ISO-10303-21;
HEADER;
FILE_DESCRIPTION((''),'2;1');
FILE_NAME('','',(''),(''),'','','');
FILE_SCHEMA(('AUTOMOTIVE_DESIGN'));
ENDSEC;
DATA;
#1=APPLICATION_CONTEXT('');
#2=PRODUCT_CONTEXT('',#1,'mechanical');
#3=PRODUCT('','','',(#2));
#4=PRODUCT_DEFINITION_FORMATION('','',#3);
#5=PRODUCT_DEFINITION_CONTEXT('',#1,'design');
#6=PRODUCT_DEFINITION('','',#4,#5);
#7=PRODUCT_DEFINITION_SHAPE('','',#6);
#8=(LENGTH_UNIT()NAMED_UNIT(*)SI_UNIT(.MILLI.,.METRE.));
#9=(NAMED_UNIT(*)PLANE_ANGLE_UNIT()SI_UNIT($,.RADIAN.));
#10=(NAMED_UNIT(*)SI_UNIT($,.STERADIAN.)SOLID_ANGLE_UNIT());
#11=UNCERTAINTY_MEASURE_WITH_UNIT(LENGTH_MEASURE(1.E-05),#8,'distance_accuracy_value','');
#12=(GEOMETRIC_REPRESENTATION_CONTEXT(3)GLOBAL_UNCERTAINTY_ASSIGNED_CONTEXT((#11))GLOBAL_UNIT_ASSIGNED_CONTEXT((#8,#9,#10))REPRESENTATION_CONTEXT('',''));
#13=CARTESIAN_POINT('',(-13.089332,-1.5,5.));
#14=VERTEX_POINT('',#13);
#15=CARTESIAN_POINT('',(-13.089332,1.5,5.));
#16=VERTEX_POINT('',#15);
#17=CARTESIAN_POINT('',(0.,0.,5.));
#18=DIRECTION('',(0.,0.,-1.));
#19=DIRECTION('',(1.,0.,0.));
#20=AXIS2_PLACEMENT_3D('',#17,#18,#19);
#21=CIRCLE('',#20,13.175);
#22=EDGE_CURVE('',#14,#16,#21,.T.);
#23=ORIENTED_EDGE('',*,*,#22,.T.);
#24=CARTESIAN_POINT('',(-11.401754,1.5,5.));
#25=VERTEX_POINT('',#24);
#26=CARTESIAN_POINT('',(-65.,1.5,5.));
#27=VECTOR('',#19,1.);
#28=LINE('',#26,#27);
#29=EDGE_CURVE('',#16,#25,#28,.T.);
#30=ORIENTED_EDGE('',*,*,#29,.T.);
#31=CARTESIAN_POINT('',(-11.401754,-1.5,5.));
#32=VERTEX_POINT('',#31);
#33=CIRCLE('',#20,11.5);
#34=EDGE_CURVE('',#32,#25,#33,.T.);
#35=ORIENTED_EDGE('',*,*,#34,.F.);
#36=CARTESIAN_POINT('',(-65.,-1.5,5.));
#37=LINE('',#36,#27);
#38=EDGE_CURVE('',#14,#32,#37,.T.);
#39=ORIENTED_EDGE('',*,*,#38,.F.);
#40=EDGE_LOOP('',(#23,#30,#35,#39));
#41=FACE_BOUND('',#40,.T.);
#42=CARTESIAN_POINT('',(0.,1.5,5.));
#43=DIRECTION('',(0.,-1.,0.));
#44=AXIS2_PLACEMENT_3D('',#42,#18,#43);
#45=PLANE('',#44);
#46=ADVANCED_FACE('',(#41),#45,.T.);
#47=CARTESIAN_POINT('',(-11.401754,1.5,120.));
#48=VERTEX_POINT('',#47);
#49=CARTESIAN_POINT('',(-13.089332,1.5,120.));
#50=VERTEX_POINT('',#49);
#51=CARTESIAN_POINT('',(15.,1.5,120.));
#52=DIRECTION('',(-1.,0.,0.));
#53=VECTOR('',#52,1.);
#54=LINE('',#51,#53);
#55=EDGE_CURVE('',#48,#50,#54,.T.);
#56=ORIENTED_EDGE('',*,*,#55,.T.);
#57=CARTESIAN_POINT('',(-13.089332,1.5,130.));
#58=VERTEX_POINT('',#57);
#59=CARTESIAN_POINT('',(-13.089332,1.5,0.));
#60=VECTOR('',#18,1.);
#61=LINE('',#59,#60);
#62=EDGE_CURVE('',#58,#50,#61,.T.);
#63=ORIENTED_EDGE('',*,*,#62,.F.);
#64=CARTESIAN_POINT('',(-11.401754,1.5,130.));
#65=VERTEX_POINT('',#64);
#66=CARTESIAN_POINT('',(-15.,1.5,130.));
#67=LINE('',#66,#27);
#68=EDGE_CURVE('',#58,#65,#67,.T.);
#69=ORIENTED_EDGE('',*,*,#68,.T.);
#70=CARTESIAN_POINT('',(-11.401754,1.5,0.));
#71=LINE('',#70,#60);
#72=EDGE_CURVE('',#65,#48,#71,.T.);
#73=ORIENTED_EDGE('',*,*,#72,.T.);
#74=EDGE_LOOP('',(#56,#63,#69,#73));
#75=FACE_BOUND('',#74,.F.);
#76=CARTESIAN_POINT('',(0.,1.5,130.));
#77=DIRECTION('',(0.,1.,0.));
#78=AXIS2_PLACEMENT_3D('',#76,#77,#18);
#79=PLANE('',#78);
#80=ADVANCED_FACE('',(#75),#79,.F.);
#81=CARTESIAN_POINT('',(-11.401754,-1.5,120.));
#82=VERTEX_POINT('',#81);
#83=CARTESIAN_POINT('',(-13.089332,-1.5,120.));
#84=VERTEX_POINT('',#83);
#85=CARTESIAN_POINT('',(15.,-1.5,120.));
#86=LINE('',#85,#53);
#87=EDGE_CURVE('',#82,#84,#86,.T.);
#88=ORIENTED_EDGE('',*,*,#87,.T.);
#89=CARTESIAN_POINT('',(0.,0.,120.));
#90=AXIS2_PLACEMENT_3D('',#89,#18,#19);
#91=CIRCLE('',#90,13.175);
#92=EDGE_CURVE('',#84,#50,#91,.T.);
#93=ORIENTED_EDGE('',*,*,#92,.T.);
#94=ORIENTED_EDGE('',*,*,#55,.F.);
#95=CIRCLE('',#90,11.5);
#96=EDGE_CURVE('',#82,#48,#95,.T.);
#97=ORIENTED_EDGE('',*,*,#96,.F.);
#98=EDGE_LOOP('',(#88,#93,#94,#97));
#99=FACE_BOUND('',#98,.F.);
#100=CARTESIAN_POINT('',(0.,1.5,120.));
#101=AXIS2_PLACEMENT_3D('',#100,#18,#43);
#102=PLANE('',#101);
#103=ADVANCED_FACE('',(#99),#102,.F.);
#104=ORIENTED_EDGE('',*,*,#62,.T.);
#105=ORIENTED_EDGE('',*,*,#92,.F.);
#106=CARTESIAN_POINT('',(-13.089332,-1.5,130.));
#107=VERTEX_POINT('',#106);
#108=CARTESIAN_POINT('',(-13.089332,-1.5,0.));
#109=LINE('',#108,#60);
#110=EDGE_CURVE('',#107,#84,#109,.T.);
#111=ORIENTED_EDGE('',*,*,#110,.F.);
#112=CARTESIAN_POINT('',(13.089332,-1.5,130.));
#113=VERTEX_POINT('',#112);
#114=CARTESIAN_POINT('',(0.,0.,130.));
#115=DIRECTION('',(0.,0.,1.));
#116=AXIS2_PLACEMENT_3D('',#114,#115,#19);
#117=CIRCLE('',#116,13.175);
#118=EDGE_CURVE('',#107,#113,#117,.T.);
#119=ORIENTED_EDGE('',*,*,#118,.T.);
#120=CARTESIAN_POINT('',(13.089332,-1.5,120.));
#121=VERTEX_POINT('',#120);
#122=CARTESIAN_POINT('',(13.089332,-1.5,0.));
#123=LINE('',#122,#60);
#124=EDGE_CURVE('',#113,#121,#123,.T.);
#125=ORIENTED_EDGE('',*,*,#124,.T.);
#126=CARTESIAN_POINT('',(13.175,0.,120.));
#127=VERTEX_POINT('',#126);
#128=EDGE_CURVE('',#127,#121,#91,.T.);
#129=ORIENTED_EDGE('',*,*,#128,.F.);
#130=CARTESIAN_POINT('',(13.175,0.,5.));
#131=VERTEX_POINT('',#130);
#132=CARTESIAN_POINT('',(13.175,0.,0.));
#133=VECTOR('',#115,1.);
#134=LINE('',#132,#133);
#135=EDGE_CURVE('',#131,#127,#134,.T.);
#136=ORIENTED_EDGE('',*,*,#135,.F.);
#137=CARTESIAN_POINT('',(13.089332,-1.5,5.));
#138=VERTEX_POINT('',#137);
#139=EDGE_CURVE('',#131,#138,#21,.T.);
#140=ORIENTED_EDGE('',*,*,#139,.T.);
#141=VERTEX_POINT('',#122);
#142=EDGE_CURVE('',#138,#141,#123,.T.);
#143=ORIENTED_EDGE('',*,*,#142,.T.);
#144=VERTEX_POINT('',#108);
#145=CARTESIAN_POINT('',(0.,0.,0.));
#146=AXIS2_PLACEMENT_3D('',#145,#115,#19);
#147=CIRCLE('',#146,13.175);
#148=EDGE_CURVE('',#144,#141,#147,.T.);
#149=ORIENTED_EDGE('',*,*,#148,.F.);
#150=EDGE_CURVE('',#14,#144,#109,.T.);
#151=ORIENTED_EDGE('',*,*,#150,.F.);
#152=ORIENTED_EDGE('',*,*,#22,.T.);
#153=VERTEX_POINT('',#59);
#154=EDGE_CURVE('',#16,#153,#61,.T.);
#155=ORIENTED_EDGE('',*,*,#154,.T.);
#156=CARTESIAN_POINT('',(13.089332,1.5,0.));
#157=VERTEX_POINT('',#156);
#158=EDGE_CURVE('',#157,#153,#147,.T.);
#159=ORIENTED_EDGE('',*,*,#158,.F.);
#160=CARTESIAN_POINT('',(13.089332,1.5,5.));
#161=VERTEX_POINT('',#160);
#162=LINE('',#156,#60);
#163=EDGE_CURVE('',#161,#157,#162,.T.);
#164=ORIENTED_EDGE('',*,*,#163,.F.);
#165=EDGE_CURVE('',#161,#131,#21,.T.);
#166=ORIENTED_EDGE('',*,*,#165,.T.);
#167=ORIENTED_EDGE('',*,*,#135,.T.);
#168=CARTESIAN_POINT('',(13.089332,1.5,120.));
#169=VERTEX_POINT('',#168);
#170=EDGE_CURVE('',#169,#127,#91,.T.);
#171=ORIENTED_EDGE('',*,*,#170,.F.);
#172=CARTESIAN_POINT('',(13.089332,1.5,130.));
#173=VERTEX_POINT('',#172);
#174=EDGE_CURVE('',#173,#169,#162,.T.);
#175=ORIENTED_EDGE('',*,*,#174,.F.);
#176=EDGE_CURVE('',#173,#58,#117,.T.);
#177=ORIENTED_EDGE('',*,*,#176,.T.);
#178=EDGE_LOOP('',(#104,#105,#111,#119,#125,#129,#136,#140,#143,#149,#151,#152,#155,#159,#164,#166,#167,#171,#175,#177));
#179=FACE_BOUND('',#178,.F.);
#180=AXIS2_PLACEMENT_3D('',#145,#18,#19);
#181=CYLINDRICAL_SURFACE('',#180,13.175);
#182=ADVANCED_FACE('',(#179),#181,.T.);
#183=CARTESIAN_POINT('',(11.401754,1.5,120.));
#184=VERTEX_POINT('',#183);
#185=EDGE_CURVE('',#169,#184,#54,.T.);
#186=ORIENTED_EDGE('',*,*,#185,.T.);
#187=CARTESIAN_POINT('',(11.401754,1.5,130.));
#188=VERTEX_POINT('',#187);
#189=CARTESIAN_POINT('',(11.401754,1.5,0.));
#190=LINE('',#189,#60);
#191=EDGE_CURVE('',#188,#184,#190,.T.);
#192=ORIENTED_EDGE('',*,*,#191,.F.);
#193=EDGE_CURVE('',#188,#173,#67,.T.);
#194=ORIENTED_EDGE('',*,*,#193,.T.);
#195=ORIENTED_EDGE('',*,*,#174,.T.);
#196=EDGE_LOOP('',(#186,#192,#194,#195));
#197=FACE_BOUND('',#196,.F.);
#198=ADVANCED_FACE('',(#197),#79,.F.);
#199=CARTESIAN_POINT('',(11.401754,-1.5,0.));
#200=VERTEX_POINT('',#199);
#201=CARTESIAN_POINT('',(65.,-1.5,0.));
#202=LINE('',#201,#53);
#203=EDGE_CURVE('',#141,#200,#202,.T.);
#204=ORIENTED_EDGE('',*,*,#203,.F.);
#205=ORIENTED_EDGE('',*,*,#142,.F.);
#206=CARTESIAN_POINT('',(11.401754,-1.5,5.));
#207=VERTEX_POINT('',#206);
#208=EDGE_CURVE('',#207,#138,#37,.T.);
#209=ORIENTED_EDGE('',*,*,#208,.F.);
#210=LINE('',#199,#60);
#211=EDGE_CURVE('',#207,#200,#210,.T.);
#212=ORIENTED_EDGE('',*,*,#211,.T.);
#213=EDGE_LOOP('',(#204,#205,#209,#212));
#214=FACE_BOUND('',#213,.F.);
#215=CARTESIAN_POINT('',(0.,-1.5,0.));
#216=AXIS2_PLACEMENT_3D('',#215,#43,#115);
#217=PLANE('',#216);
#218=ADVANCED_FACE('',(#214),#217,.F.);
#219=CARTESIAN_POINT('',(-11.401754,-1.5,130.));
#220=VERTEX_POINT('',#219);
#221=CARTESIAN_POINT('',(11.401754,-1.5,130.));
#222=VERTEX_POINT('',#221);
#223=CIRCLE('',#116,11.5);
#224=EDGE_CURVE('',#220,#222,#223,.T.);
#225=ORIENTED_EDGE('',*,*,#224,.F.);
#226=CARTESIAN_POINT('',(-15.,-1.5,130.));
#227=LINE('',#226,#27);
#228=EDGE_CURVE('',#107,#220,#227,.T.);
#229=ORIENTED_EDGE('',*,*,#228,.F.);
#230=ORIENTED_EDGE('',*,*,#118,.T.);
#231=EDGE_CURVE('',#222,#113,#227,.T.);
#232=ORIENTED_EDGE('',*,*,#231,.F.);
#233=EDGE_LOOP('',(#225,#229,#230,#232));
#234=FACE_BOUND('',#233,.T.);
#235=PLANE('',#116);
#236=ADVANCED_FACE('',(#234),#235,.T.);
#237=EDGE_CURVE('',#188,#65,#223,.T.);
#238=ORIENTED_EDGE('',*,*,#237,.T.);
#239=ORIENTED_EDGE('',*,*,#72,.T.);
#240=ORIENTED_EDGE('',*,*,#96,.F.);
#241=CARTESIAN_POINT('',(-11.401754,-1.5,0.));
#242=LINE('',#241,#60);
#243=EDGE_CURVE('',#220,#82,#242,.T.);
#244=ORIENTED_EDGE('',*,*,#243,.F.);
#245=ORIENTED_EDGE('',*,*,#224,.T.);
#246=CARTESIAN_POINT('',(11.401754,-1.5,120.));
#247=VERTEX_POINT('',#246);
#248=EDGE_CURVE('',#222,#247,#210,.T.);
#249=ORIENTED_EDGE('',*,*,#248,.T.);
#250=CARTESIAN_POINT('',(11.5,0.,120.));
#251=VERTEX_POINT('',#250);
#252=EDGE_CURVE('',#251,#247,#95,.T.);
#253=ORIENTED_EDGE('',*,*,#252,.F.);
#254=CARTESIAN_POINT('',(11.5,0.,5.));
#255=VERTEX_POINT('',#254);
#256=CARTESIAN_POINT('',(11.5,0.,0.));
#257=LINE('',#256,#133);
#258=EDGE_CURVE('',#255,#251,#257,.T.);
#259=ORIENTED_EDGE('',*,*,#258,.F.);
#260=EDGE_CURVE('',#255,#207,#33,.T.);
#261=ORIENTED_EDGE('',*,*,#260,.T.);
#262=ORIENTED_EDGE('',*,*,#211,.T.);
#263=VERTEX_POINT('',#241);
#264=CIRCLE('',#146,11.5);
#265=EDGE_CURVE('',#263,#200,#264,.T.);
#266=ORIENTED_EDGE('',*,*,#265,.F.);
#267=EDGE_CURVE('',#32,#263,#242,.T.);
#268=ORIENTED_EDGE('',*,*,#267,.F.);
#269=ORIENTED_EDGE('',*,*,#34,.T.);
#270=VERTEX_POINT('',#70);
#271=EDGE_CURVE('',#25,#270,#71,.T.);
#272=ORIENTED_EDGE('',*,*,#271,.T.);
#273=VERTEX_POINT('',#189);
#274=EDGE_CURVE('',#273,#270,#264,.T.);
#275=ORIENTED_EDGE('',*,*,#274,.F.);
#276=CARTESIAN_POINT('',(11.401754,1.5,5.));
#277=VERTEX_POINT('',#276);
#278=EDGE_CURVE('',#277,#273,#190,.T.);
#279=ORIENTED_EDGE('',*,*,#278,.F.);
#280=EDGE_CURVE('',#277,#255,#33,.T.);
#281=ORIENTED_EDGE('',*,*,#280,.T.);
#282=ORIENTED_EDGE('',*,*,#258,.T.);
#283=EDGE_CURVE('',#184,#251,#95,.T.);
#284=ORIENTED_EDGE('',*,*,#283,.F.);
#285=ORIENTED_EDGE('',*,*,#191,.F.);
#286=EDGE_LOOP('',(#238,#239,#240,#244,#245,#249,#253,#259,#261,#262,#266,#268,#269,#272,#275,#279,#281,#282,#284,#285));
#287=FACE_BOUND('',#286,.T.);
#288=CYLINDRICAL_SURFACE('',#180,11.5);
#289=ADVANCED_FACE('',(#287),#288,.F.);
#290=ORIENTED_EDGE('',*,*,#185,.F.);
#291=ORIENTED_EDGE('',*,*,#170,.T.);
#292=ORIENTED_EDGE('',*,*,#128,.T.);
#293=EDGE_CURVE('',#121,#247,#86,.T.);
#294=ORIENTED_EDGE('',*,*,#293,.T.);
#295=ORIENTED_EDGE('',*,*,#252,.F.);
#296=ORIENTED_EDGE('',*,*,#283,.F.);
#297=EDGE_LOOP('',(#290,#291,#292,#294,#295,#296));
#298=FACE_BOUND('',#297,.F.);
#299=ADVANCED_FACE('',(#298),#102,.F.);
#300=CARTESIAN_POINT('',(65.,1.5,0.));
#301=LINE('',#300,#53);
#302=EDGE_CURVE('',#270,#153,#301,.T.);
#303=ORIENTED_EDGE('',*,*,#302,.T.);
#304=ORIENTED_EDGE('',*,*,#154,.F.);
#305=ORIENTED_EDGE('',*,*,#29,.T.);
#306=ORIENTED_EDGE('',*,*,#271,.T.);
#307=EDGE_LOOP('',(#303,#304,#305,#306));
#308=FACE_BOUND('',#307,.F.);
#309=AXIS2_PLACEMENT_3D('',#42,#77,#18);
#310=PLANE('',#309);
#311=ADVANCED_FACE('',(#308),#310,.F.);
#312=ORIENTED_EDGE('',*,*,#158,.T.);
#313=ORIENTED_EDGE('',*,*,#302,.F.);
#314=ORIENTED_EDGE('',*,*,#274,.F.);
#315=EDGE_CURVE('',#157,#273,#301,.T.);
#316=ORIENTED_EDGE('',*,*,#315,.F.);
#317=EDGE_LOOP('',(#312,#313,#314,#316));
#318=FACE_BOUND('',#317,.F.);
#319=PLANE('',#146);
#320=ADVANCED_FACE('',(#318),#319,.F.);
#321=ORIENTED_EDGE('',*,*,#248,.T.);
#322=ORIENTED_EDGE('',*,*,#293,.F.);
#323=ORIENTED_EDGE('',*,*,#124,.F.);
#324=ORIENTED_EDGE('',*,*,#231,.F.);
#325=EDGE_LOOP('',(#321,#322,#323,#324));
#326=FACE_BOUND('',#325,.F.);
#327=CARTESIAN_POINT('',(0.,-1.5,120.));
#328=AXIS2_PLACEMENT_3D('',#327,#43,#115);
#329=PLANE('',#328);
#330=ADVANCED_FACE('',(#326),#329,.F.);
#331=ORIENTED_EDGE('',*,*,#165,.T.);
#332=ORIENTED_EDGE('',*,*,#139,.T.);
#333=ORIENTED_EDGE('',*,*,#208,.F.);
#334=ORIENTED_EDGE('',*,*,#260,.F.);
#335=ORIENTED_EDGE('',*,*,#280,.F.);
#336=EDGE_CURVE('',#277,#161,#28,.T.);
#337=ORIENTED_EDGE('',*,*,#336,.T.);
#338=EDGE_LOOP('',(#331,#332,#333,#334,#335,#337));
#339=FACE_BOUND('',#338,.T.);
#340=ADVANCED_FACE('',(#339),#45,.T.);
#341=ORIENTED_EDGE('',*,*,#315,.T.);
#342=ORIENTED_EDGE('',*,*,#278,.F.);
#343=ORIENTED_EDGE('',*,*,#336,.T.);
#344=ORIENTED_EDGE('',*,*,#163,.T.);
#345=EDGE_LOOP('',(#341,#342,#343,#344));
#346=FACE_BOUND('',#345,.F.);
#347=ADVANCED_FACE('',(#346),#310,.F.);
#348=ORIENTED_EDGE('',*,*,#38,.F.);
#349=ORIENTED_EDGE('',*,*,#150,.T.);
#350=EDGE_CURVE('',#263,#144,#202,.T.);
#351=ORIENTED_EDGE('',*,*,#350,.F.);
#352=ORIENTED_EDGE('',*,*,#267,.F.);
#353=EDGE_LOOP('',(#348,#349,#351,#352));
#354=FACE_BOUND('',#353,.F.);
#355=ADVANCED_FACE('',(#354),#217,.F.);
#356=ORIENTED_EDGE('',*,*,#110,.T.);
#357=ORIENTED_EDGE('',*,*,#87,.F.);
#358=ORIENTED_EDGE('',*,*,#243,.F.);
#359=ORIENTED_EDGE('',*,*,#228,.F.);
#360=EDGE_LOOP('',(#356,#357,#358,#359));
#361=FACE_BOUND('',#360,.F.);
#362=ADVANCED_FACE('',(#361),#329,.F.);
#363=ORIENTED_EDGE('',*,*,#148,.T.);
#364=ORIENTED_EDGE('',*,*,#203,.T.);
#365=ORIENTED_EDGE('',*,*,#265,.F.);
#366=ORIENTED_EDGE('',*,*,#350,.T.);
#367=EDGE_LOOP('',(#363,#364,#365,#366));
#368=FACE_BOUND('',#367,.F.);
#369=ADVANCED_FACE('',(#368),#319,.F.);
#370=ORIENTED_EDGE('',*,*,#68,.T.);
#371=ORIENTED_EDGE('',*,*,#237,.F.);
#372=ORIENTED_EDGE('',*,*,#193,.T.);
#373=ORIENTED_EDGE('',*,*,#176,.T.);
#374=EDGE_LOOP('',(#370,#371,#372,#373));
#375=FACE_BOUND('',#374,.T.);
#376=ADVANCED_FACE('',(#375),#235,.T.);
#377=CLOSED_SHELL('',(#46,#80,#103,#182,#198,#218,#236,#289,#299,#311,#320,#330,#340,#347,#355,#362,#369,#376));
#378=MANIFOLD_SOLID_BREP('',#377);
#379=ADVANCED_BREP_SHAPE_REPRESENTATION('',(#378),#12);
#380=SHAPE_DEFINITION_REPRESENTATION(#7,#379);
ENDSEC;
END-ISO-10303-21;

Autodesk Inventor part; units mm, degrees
ref_plane "YZ Plane" through (0, 0, 0) normal (1, 0, 0) x (0, 1, 0)
ref_plane "XZ Plane" through (0, 0, 0) normal (0, 1, 0) x (-1, 0, 0)
ref_plane "XY Plane" through (0, 0, 0) normal (0, 0, 1) x (1, 0, 0)
sketch "Boceto1" plane through (0, 0, 0) normal (0, 0, 1) x (1, 0, 0)
  circle A0 centre (0, 0) radius 13.175
  circle A1 centre (0, 0) radius 11.5
  dimension "d0" = 26.35
  dimension "d1" = 23
extrude "Extrusión1" add sketch "Boceto1" along normal blind 130
sketch "Boceto2" plane through (0, 0, 0) normal (1, 0, 0) x (0, 1, 0)
  line L0 (1.5, 5) -> (1.5, 0)
  line L1 (-13.175, 0) -> (13.175, 0) projected
  line L2 (1.5, 0) -> (-1.5, 0)
  line L3 (-1.5, 0) -> (-1.5, 5)
  line L4 (1.5, 5) -> (-1.5, 5)
  point P0 (0, 0)
  dimension "d6" = 3
extrude "Extrusión2" cut sketch "Boceto2" along normal mid plane 130
sketch "Boceto3" plane through (0, 0, 0) normal (1, 0, 0) x (0, 1, 0)
  line L0 (13.175, 130) -> (-13.175, 130) projected
  line L1 (1.5, 130) -> (-1.5, 130)
  line L2 (1.5, 130) -> (1.5, 120)
  line L3 (1.5, 120) -> (-1.5, 120)
  line L4 (-1.5, 120) -> (-1.5, 130)
  point P0 (0, 0)
  dimension "d10" = 3
  dimension "d11" = 10
  dimension "d12" = 3
extrude "Extrusión3" cut sketch "Boceto3" along normal mid plane 30
properties part number "tubo"
